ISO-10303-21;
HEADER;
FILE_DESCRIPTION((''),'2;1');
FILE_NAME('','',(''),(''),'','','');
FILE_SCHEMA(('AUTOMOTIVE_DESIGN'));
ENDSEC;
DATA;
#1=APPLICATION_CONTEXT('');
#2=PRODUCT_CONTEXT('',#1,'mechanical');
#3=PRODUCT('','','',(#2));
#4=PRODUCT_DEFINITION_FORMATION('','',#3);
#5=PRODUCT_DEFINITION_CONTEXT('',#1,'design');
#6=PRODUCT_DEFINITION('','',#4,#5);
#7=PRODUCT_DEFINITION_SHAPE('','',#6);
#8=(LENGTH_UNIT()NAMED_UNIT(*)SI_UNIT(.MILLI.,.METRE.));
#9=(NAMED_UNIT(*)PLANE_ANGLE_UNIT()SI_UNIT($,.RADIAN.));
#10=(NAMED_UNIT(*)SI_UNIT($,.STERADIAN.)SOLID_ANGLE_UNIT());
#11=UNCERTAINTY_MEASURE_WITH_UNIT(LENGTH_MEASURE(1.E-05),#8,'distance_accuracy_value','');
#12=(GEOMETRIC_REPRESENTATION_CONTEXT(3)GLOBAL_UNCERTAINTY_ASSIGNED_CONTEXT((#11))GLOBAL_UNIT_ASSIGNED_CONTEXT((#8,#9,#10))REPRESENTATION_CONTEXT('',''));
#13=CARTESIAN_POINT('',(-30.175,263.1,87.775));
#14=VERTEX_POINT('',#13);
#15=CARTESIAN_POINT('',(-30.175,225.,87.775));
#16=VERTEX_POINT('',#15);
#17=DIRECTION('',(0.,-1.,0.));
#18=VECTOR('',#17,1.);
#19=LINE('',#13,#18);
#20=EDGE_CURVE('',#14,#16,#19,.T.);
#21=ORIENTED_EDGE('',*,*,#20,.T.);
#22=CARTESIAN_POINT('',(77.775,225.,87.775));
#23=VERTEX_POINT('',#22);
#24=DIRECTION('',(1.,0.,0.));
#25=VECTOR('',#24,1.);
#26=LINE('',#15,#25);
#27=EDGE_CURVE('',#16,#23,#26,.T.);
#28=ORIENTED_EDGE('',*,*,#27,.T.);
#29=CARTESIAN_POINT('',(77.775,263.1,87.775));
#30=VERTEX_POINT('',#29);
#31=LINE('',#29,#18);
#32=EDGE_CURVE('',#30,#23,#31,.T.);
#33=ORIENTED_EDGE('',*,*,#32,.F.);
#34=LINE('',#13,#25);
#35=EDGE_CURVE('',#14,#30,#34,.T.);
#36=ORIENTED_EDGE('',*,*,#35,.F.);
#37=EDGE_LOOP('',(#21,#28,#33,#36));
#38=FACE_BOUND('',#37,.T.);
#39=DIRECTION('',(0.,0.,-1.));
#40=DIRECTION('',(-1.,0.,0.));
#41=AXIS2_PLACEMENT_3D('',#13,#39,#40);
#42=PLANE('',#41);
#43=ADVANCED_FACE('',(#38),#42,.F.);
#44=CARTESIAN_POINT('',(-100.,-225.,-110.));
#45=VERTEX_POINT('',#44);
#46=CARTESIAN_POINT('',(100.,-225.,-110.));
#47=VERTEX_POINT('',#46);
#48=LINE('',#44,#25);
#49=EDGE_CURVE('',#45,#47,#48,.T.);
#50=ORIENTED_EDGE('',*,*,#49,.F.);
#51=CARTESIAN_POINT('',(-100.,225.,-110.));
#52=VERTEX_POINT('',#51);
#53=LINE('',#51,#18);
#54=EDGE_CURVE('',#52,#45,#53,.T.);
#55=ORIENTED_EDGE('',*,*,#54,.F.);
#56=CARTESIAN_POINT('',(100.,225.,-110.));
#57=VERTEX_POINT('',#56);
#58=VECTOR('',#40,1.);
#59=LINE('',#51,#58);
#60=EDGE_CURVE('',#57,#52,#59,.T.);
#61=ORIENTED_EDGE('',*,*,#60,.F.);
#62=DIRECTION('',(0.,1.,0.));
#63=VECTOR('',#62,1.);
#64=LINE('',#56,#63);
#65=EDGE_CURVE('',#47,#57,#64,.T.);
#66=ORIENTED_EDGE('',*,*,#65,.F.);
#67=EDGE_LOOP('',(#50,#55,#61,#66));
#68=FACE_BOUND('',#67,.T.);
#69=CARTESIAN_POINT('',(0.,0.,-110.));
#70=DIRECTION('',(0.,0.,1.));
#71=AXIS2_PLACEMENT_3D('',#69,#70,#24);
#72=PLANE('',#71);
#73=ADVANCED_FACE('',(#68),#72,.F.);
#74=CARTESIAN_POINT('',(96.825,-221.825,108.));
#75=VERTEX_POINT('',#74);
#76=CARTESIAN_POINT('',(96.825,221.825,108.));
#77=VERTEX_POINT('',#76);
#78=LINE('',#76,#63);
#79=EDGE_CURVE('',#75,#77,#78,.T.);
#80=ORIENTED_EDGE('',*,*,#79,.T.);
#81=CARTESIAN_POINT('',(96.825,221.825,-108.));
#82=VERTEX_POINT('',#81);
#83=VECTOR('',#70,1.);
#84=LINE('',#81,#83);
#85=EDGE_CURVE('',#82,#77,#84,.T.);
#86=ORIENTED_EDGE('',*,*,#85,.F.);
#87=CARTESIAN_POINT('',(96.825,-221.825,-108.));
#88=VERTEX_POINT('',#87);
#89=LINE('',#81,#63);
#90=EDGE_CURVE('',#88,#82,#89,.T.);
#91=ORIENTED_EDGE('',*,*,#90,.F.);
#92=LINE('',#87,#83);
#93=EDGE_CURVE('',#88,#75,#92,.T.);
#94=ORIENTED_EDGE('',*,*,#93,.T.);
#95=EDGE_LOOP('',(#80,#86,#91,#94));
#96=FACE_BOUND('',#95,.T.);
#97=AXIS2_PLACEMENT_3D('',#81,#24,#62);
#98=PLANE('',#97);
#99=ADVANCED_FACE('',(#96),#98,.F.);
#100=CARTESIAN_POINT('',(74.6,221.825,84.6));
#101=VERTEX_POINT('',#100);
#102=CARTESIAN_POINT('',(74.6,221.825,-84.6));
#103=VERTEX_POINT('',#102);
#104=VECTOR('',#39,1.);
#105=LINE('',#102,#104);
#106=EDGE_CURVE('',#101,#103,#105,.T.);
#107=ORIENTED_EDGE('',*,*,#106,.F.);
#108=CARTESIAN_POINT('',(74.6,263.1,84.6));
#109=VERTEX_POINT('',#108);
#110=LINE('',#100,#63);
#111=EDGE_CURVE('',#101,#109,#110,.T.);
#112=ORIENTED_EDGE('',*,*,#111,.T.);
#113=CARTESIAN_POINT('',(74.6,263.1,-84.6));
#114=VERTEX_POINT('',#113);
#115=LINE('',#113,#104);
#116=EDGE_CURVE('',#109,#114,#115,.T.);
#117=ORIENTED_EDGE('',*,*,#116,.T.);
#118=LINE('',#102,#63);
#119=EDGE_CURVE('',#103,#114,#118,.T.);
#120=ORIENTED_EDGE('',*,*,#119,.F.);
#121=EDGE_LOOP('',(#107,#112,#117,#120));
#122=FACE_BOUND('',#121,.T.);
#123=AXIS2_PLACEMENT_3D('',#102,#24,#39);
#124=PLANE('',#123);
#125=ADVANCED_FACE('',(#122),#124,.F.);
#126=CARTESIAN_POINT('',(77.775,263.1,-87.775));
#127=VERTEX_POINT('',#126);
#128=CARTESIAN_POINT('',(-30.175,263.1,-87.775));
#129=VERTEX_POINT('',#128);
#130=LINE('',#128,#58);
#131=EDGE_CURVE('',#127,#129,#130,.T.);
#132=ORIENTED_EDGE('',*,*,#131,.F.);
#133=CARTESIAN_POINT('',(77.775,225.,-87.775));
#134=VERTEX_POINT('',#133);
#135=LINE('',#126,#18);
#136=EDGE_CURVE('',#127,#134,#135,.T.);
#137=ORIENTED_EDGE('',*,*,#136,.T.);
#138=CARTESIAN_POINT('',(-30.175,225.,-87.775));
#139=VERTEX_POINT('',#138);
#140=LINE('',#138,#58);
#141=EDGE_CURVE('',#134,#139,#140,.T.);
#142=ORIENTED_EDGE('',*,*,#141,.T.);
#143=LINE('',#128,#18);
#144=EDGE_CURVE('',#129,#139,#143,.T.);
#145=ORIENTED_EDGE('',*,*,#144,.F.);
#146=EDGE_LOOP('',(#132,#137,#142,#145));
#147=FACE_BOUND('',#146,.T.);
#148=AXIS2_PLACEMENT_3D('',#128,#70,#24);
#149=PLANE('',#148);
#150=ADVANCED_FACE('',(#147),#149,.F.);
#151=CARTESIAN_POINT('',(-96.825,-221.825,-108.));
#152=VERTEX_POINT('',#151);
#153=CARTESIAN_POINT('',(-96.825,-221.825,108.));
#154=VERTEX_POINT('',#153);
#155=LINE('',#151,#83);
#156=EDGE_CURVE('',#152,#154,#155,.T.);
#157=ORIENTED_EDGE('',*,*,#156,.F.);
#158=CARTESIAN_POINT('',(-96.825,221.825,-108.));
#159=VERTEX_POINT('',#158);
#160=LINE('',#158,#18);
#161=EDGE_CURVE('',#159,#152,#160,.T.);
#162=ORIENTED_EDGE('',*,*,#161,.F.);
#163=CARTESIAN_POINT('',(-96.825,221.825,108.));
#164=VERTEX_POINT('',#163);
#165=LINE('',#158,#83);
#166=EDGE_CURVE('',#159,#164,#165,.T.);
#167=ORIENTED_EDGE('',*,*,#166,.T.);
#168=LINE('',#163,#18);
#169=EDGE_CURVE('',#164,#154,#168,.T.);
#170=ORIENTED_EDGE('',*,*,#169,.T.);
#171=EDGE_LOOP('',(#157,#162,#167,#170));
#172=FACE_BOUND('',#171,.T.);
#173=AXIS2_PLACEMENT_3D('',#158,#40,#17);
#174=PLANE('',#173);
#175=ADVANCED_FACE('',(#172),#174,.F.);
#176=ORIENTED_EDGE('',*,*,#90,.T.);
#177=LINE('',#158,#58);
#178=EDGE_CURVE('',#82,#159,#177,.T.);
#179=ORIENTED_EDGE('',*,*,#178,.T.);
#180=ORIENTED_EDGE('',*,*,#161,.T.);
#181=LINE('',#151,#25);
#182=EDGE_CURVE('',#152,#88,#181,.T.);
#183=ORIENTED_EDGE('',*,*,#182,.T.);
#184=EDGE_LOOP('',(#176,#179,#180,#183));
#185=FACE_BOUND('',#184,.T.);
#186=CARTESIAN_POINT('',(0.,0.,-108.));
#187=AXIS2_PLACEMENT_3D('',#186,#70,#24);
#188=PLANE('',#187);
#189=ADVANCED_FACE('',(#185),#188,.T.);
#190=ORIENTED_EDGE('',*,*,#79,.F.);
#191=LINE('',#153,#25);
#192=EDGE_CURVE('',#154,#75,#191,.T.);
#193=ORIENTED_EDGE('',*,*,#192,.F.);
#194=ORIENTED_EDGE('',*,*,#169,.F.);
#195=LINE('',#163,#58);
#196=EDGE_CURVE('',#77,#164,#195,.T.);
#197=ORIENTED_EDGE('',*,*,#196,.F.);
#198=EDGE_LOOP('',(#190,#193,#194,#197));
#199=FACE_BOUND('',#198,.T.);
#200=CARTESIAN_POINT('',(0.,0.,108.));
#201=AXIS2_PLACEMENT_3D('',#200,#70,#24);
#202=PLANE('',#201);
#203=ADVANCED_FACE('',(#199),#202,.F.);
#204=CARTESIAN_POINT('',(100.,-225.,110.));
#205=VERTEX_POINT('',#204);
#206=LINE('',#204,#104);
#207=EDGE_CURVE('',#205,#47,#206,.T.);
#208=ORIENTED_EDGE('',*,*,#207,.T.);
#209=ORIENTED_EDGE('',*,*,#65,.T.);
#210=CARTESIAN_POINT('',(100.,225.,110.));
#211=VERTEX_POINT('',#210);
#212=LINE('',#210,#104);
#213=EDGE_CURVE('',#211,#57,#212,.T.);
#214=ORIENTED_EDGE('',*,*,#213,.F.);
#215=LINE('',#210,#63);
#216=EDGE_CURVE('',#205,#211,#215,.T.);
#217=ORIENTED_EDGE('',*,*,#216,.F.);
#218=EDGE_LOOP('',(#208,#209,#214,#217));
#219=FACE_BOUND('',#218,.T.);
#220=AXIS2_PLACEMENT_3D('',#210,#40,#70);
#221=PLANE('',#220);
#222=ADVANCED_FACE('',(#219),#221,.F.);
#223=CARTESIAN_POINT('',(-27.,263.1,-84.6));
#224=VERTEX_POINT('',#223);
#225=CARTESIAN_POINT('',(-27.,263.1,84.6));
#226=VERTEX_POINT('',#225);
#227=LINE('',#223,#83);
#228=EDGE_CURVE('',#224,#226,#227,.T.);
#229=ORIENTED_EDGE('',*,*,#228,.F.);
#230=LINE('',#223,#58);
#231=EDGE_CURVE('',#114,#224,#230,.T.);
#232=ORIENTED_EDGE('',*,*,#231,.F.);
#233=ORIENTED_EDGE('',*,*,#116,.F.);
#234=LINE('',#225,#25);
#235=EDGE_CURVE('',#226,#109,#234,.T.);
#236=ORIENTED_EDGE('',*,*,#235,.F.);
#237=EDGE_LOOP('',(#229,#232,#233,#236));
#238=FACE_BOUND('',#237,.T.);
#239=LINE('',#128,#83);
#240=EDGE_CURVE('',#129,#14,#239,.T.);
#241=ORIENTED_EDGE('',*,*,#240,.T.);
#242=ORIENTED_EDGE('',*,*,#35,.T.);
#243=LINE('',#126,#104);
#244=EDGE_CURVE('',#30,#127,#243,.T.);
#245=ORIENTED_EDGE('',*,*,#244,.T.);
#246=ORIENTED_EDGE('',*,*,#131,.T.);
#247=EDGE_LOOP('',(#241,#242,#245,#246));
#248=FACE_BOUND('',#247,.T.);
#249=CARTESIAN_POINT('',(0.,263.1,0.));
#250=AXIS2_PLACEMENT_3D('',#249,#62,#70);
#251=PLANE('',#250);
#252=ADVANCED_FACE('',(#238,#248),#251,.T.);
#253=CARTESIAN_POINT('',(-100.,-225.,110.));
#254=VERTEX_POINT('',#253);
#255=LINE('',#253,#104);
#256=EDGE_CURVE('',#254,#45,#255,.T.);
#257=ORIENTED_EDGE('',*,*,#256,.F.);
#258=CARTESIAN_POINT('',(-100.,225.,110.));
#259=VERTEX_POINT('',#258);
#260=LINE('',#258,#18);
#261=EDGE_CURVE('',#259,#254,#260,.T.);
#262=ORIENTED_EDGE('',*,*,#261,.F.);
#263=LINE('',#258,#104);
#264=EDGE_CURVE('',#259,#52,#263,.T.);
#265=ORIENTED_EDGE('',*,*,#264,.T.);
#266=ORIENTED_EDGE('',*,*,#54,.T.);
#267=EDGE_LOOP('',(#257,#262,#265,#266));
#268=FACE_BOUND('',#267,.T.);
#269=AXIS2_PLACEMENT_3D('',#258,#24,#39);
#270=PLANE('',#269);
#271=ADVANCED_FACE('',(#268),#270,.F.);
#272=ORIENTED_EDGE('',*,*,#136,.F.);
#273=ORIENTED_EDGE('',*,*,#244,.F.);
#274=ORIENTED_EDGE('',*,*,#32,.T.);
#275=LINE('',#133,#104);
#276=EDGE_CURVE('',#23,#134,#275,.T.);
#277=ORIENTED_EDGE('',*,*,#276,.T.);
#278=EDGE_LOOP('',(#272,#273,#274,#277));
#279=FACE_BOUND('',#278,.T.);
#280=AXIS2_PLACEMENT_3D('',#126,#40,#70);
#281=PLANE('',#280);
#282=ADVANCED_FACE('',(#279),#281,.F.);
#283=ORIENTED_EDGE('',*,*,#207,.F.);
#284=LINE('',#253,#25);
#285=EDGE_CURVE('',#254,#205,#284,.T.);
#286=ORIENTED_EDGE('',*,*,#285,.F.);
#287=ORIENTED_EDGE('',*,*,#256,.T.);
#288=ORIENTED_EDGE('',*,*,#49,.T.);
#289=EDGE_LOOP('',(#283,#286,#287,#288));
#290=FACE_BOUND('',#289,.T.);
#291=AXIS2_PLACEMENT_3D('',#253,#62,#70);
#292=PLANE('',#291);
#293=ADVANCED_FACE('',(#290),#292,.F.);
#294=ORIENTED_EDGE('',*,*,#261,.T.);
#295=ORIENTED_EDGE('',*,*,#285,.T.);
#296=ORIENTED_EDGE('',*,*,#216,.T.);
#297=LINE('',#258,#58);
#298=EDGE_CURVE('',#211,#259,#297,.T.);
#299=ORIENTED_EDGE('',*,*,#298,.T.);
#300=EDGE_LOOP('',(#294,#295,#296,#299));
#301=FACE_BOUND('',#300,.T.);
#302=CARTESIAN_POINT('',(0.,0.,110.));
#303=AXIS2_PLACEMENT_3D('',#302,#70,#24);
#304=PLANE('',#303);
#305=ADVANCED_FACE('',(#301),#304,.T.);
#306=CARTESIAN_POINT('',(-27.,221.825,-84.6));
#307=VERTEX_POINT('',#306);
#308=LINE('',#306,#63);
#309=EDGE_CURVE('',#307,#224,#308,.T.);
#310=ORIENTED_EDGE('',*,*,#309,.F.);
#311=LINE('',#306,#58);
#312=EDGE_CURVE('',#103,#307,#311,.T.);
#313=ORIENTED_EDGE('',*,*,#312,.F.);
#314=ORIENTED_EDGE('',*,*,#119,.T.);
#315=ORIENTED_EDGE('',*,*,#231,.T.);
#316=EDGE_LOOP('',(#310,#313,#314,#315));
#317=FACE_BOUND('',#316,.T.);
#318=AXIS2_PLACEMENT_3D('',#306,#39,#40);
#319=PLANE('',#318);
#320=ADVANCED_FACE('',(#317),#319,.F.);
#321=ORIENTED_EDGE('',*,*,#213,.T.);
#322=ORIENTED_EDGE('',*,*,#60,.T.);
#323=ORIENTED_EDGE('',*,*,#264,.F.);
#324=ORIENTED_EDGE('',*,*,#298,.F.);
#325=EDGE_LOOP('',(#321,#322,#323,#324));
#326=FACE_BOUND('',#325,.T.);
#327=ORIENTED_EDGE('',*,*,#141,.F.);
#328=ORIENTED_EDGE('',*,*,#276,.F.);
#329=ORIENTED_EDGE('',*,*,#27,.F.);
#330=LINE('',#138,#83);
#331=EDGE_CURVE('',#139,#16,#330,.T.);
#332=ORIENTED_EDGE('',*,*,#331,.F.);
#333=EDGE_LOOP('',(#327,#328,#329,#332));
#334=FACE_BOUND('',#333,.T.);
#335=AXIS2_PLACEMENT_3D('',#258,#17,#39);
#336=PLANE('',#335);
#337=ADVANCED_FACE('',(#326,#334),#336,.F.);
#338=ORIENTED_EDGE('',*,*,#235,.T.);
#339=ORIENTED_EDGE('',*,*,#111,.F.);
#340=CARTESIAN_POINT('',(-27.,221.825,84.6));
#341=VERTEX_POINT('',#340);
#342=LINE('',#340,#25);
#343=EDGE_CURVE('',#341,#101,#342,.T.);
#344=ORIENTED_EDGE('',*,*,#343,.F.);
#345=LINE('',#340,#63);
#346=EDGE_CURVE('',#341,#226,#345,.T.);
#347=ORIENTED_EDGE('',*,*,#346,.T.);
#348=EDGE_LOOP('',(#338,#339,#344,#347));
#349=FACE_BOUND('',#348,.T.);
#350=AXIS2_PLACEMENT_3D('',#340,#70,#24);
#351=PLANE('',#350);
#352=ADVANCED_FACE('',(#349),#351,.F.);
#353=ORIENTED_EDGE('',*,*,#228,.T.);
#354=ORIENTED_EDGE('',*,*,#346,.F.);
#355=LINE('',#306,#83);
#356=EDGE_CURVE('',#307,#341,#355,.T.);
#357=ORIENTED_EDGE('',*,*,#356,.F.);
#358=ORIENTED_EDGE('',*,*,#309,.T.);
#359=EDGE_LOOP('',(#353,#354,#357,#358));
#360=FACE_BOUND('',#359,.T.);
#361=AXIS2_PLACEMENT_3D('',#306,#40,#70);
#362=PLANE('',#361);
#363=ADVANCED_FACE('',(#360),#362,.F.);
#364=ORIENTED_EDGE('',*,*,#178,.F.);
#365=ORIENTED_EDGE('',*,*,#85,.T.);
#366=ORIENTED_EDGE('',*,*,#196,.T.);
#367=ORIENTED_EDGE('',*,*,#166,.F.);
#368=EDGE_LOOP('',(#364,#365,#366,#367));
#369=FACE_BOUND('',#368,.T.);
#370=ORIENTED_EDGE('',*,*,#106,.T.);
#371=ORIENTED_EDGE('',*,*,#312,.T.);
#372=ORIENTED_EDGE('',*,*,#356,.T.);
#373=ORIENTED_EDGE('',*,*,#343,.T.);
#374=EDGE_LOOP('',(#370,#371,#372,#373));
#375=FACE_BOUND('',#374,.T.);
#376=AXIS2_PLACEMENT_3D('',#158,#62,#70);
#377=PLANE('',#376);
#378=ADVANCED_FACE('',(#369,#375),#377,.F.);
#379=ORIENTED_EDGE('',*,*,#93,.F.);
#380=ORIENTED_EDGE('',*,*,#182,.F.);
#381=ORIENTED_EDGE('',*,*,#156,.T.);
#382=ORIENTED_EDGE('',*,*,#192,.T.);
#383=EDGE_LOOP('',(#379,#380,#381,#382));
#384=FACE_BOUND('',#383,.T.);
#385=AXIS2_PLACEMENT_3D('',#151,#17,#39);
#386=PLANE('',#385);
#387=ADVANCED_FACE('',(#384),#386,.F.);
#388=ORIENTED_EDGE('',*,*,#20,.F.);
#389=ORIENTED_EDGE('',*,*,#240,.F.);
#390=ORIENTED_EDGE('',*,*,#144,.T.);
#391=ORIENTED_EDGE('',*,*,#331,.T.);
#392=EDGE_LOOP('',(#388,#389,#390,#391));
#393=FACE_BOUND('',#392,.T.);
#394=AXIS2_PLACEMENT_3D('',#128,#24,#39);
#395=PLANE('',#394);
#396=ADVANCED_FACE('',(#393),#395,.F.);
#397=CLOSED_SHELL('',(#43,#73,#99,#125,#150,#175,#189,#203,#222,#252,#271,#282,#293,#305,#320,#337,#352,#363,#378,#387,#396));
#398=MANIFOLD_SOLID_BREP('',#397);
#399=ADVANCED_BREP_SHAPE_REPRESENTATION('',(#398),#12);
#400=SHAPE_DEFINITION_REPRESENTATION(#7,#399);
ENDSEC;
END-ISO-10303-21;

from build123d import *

# Parameters (mm, degrees)
ESQUISSE2_W             = 200
ESQUISSE2_H             = 450
BOSS_EXTRU_1_DEPTH      = 110
ESQUISSE3_W             = 193.65
ESQUISSE3_H             = 443.65
ENL_V_MAT_EXTRU_1_DEPTH = 108
ESQUISSE5_W             = 107.95
ESQUISSE5_H             = 175.55
BOSS_EXTRU_2_DEPTH      = 38.1
ESQUISSE4_W             = 101.6
ESQUISSE4_H             = 169.2
ENL_V_MAT_EXTRU_2_DEPTH = 41.275


with BuildPart() as part:
    # Esquisse2 → Boss.-Extru.1 (new, symmetric)
    with BuildSketch(Plane.XY):
        Rectangle(ESQUISSE2_W, ESQUISSE2_H)
    extrude(amount=BOSS_EXTRU_1_DEPTH, both=True)

    # Esquisse3 → Enlèv. mat.-Extru.1 (cut, symmetric)
    with BuildSketch(Plane.XY):
        Rectangle(ESQUISSE3_W, ESQUISSE3_H)
    extrude(amount=ENL_V_MAT_EXTRU_1_DEPTH, both=True, mode=Mode.SUBTRACT)

    # Esquisse5 → Boss.-Extru.2 (add)
    with BuildSketch(Plane(origin=(0, 225, 0), x_dir=(1, 0, 0), z_dir=(0, 1, 0))):
        with Locations((23.8, 0)):
            Rectangle(ESQUISSE5_W, ESQUISSE5_H)
    extrude(amount=BOSS_EXTRU_2_DEPTH)

    # Esquisse4 → Enlèv. mat.-Extru.2 (cut)
    with BuildSketch(Plane(origin=(0, 263.1, 0), x_dir=(1, 0, 0), z_dir=(0, 1, 0))):
        with Locations((23.8, 0)):
            Rectangle(ESQUISSE4_W, ESQUISSE4_H)
    extrude(amount=-ENL_V_MAT_EXTRU_2_DEPTH, mode=Mode.SUBTRACT)


solid = part.part
